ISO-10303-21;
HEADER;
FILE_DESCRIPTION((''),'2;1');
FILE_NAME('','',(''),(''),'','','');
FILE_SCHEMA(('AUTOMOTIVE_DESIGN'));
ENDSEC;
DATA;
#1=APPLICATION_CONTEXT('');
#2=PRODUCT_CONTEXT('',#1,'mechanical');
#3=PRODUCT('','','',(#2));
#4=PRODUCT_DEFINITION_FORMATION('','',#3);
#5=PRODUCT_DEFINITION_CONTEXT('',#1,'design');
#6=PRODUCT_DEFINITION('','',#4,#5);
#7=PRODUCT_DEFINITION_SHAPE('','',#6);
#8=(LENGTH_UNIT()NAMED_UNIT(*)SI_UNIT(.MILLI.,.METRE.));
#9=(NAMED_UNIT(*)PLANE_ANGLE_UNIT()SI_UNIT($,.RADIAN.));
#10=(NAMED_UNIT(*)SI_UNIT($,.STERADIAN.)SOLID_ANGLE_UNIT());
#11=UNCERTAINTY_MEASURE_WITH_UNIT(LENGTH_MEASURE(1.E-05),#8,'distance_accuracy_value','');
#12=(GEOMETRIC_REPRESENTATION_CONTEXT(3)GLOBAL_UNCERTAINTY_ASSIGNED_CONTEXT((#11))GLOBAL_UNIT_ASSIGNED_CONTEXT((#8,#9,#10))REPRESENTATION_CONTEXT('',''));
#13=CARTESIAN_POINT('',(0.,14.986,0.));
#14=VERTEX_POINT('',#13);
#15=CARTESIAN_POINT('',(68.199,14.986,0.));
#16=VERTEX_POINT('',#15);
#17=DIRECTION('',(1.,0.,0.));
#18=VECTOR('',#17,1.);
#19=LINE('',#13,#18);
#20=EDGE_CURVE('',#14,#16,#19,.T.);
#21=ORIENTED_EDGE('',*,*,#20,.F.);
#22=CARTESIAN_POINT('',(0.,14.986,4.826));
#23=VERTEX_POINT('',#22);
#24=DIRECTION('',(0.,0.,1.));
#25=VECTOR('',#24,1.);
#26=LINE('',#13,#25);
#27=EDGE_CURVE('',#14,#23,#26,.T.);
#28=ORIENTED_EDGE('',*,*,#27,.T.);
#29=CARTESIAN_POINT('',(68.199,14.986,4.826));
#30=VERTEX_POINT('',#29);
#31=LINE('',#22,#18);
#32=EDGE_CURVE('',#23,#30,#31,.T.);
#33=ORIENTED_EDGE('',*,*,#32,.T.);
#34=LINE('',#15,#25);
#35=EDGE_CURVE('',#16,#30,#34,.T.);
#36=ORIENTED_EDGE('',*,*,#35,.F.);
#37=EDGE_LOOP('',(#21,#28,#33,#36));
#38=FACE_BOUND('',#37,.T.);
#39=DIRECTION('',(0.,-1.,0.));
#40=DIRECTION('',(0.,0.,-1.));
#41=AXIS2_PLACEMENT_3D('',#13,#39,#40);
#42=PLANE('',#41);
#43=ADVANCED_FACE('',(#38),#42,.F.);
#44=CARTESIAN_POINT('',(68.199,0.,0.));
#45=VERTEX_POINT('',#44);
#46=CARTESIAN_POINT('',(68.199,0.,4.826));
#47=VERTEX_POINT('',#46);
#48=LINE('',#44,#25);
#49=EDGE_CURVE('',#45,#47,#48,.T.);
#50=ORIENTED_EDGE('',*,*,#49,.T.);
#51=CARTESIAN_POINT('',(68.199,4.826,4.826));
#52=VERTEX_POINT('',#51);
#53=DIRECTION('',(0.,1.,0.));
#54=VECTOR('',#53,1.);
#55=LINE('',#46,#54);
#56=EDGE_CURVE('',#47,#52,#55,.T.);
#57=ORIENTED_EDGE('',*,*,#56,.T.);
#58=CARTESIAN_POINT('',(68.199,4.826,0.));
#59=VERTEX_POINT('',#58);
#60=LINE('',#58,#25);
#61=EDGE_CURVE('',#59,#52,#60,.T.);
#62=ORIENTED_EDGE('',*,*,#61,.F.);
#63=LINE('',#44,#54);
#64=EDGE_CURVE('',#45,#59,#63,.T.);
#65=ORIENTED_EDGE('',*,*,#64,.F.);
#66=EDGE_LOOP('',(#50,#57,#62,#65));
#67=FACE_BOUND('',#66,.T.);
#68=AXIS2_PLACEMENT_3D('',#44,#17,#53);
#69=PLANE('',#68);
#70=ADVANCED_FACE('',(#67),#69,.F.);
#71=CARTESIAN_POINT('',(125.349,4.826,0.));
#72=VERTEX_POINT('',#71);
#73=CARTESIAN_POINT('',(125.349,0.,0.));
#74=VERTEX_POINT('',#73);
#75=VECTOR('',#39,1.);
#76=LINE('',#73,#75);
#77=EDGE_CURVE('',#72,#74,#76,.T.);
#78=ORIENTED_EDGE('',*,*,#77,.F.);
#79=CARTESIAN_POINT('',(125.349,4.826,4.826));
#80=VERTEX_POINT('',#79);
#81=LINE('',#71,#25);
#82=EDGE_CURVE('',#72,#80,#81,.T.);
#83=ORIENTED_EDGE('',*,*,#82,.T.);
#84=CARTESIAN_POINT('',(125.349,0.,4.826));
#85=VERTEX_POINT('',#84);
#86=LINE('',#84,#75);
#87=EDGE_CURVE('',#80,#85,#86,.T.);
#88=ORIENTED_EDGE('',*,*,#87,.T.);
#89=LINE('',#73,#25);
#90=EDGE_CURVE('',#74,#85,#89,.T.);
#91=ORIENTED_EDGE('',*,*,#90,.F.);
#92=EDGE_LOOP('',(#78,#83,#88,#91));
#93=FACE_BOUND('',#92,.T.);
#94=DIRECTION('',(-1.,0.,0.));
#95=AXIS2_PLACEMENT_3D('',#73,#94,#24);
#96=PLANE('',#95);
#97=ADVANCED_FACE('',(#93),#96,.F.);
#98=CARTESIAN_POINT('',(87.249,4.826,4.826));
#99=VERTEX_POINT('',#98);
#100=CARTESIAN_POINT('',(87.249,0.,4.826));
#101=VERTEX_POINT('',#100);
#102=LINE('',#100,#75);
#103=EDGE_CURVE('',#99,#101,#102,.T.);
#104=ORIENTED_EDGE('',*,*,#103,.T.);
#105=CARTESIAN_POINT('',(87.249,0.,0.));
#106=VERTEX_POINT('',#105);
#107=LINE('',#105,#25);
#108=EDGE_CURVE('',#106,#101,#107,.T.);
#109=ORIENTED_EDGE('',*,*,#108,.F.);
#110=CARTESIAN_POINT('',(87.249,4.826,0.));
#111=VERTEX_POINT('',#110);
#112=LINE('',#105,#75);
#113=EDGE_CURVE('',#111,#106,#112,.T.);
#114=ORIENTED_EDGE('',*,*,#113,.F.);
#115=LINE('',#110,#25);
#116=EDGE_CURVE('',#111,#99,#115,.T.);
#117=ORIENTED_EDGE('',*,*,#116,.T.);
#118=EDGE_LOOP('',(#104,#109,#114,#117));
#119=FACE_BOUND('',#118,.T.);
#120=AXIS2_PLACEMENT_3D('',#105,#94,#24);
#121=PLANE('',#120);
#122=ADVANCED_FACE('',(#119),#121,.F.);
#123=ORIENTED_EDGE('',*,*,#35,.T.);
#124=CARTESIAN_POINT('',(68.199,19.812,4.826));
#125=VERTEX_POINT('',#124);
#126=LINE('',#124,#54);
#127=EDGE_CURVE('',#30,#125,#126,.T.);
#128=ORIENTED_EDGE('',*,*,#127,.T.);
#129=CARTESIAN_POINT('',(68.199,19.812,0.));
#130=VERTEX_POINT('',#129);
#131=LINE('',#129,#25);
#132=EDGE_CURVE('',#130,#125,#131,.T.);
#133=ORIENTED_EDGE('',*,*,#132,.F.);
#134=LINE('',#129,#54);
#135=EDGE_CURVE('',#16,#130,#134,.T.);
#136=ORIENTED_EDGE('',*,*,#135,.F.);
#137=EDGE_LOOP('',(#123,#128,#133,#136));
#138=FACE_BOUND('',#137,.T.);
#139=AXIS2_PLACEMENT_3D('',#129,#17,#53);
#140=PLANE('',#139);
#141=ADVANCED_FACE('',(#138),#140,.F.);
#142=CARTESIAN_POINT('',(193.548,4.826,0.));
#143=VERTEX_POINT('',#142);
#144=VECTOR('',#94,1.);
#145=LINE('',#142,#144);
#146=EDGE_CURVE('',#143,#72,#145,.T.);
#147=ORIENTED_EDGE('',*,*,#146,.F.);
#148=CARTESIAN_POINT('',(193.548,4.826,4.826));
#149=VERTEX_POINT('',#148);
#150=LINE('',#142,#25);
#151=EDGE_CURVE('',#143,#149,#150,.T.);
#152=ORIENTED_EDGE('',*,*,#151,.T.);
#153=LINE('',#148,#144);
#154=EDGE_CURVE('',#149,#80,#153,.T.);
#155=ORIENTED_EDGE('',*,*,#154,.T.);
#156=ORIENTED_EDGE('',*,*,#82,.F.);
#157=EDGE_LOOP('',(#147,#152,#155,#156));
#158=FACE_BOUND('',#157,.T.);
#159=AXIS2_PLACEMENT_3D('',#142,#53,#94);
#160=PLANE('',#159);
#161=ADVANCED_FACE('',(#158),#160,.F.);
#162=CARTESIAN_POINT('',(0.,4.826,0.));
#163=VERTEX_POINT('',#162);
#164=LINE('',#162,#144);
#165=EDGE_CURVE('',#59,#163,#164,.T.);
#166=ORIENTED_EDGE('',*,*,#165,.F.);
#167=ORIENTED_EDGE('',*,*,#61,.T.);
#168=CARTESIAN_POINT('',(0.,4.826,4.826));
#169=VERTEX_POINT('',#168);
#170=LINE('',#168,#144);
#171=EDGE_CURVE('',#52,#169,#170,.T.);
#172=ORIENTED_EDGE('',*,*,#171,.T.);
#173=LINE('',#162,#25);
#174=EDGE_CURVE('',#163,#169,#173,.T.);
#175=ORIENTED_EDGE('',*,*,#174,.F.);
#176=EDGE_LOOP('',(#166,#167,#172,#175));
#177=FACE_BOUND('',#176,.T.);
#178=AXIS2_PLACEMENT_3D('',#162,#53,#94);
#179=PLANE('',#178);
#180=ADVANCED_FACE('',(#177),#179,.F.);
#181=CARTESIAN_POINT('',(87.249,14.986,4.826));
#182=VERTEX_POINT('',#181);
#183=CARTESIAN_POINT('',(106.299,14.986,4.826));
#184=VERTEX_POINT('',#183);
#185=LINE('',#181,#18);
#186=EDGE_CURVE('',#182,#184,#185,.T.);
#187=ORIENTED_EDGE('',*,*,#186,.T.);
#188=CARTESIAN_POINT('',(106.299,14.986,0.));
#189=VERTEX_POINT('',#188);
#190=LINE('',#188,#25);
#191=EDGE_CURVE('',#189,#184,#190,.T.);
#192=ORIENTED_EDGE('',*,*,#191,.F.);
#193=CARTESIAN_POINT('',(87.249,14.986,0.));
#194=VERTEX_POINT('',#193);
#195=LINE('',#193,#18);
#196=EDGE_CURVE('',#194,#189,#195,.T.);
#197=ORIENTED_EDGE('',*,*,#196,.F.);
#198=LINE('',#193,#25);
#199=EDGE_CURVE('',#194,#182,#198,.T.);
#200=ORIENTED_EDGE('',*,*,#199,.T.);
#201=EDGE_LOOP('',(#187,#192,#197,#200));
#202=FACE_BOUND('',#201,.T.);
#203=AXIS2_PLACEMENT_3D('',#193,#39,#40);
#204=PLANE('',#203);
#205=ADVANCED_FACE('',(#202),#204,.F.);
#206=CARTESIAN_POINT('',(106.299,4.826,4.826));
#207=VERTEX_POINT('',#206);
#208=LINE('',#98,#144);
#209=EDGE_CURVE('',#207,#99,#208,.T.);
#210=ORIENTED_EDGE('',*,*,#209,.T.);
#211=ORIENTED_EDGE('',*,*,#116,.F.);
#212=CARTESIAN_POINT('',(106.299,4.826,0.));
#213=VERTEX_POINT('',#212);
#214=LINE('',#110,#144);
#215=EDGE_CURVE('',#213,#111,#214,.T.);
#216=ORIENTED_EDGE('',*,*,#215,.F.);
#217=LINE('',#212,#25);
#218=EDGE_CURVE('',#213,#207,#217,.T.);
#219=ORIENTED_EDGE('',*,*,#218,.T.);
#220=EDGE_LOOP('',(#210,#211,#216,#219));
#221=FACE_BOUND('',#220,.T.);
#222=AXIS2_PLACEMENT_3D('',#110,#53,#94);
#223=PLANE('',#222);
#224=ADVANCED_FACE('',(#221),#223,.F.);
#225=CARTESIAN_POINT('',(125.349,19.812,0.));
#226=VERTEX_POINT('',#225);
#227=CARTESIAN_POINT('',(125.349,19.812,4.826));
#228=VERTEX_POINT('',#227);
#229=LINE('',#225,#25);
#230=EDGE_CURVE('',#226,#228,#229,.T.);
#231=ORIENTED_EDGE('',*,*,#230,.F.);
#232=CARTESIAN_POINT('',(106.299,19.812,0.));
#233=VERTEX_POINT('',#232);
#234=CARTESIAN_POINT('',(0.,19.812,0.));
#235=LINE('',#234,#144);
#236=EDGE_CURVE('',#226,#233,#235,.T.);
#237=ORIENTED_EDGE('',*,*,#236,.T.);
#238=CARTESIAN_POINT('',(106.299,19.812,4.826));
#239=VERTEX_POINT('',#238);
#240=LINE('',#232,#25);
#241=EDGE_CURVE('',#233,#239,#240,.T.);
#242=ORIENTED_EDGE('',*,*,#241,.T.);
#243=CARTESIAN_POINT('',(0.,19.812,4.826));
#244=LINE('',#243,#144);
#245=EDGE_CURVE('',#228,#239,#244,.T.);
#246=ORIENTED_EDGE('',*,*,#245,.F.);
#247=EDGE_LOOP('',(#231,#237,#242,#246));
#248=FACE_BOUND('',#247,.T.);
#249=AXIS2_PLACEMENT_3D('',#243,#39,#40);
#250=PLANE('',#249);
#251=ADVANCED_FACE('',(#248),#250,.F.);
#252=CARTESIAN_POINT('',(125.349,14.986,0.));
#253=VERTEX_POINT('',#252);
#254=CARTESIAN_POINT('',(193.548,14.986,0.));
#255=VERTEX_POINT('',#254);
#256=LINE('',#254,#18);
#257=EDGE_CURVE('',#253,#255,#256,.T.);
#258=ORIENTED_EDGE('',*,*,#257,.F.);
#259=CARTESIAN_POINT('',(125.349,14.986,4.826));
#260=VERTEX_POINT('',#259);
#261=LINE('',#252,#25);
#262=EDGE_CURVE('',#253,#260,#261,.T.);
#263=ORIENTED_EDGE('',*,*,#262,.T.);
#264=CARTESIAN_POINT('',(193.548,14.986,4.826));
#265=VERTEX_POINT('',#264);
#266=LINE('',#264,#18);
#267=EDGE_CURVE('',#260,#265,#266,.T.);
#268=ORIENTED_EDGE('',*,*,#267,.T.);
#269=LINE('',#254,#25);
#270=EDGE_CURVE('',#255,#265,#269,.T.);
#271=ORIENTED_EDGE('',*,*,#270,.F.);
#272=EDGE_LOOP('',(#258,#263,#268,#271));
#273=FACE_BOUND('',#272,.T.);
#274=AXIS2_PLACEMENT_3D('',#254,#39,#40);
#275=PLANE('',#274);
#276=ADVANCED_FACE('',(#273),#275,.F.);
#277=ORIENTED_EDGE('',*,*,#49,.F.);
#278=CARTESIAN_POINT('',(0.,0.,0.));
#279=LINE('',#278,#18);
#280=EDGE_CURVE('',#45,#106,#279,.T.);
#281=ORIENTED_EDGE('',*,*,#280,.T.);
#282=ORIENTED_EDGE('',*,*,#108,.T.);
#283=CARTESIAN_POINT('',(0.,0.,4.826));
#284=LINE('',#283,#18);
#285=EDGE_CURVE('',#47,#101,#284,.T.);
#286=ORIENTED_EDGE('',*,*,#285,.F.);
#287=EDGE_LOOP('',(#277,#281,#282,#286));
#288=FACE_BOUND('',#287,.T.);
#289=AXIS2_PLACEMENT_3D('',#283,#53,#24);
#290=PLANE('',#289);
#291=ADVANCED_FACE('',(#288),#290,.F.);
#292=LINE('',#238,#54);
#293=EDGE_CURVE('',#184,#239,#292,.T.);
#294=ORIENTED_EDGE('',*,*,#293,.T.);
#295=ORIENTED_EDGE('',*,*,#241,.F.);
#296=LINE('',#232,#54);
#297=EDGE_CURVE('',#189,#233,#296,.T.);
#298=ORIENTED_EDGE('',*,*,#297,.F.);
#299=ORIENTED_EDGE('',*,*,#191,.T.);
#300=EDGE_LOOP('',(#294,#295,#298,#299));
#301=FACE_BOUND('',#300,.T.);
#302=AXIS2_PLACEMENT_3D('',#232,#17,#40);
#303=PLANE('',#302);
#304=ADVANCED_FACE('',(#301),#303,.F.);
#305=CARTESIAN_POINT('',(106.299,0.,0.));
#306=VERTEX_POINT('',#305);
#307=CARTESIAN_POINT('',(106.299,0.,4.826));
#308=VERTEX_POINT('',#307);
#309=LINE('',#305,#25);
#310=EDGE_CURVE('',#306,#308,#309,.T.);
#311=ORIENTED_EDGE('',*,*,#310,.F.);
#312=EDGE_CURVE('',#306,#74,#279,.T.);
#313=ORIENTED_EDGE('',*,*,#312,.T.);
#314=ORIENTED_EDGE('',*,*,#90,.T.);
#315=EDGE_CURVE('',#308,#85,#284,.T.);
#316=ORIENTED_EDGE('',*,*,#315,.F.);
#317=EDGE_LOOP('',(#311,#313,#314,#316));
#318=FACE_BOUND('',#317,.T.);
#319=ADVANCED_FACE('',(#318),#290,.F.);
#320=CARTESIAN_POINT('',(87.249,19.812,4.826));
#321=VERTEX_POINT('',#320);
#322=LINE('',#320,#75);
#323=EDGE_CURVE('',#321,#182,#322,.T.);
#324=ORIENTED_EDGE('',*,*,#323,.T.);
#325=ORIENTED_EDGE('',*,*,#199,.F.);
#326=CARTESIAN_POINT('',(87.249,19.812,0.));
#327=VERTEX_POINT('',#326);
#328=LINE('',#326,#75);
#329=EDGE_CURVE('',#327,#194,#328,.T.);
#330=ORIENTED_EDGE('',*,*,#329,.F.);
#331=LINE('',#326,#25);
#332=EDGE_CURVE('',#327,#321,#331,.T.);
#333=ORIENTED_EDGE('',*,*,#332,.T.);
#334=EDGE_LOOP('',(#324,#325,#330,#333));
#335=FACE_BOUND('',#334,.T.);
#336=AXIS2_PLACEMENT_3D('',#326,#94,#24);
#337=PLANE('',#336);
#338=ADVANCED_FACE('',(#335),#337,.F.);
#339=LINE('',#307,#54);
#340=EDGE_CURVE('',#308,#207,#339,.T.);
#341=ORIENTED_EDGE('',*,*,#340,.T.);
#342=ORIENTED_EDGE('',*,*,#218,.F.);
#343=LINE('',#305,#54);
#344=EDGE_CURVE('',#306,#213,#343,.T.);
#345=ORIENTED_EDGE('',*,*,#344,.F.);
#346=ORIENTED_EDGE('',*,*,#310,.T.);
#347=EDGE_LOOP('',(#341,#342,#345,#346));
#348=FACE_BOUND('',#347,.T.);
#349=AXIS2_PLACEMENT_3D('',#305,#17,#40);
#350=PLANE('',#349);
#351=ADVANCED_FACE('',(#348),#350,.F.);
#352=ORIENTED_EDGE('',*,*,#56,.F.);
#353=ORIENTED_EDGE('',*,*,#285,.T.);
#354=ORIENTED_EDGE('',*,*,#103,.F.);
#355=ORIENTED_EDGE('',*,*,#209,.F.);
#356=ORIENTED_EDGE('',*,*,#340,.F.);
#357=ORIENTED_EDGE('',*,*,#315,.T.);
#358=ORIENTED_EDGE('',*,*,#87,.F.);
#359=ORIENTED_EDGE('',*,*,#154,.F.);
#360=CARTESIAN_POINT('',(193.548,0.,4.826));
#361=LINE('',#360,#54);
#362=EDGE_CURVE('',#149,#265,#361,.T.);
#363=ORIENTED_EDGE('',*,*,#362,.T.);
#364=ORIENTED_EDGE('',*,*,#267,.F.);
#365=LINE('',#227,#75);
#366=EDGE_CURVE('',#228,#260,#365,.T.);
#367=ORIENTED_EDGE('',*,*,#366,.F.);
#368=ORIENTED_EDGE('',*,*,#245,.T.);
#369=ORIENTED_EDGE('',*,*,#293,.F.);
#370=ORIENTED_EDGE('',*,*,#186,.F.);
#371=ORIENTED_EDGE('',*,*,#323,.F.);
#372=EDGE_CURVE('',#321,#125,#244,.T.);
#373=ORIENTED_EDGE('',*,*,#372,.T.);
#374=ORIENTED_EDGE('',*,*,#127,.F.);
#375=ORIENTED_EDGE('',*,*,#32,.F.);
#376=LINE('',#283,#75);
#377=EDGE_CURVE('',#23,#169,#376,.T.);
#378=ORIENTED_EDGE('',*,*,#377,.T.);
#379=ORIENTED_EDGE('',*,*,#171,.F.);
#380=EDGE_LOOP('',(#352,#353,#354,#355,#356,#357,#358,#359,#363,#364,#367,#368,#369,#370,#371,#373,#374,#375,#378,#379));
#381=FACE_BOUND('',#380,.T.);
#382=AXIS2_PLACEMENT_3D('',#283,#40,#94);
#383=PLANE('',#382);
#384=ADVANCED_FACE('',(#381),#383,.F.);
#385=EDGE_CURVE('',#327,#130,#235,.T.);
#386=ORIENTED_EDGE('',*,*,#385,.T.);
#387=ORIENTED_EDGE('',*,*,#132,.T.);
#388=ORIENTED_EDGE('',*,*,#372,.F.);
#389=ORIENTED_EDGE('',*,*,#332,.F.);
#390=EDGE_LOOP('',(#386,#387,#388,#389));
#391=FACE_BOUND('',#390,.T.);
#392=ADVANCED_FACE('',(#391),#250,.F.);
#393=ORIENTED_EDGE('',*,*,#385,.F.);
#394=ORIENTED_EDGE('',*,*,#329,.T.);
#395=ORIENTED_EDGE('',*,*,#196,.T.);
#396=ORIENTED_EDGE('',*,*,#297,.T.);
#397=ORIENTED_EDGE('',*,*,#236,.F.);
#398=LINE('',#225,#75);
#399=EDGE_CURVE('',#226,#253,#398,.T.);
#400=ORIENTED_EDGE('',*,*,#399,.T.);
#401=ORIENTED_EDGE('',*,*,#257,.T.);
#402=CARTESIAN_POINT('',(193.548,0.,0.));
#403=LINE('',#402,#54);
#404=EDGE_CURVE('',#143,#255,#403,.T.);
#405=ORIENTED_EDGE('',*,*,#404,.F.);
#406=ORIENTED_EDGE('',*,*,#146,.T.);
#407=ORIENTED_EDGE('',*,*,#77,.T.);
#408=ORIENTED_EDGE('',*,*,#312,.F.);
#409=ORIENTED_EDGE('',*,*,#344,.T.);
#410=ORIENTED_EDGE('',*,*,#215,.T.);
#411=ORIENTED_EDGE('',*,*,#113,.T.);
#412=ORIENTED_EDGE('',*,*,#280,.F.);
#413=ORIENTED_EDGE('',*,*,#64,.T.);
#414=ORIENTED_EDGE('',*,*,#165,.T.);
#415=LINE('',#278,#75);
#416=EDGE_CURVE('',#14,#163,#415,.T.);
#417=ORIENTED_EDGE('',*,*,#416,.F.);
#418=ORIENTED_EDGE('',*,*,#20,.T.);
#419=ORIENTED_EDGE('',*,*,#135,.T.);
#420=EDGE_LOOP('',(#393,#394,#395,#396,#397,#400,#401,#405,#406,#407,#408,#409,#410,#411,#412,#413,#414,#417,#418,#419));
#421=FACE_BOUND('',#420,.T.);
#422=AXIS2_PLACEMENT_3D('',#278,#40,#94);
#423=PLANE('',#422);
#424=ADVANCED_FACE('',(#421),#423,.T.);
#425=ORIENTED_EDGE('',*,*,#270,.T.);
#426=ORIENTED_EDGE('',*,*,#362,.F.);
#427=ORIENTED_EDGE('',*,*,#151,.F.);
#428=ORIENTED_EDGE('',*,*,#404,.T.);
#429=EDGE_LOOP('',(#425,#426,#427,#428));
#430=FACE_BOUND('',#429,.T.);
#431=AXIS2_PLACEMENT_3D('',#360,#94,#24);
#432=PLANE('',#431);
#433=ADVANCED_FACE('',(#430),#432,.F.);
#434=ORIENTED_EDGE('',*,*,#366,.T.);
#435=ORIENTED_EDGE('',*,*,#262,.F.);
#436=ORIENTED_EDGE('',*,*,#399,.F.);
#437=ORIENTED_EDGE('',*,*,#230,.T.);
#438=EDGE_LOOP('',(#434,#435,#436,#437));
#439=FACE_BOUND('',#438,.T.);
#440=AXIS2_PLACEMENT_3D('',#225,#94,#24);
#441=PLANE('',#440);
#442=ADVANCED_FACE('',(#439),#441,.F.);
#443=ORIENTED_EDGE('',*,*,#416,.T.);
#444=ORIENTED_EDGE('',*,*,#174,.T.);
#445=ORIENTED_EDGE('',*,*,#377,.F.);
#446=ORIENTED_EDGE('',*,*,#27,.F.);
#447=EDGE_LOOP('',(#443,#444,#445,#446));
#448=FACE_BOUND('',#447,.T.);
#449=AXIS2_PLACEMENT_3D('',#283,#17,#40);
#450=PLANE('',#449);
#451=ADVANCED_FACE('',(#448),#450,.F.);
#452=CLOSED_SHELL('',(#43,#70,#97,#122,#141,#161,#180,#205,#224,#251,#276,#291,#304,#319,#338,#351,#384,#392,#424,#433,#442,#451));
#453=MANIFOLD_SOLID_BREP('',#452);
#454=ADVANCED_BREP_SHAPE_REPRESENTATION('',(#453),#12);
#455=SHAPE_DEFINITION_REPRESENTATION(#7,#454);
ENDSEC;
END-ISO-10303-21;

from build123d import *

# Parameters (mm, degrees)
SKETCH1_W   = 193.548
SKETCH1_H   = 19.812
BASE_DEPTH  = 4.826
SKETCH2_W   = 68.199
SKETCH2_H   = 4.826
SKETCH2_W_2 = 19.05
TABS_DEPTH  = 195.619202352


with BuildPart() as part:
    # Sketch1 → Base (new body)
    with BuildSketch(Plane.XY):
        with Locations((96.774, 9.906)):
            Rectangle(SKETCH1_W, SKETCH1_H)
    extrude(amount=BASE_DEPTH)

    # Sketch2 → Tabs (cut, through all)
    with BuildSketch(Plane.XY.offset(4.826)):
        with Locations((34.0995, 17.399)):
            Rectangle(SKETCH2_W, SKETCH2_H)
        with Locations((159.4485, 17.399)):
            Rectangle(SKETCH2_W, SKETCH2_H)
        with Locations((96.774, 17.399)):
            Rectangle(SKETCH2_W_2, SKETCH2_H)
        with Locations((96.774, 2.413)):
            Rectangle(SKETCH2_W_2, SKETCH2_H)
        with Locations((159.4485, 2.413)):
            Rectangle(SKETCH2_W, SKETCH2_H)
        with Locations((34.0995, 2.413)):
            Rectangle(SKETCH2_W, SKETCH2_H)
    extrude(amount=-TABS_DEPTH, mode=Mode.SUBTRACT)


solid = part.part
